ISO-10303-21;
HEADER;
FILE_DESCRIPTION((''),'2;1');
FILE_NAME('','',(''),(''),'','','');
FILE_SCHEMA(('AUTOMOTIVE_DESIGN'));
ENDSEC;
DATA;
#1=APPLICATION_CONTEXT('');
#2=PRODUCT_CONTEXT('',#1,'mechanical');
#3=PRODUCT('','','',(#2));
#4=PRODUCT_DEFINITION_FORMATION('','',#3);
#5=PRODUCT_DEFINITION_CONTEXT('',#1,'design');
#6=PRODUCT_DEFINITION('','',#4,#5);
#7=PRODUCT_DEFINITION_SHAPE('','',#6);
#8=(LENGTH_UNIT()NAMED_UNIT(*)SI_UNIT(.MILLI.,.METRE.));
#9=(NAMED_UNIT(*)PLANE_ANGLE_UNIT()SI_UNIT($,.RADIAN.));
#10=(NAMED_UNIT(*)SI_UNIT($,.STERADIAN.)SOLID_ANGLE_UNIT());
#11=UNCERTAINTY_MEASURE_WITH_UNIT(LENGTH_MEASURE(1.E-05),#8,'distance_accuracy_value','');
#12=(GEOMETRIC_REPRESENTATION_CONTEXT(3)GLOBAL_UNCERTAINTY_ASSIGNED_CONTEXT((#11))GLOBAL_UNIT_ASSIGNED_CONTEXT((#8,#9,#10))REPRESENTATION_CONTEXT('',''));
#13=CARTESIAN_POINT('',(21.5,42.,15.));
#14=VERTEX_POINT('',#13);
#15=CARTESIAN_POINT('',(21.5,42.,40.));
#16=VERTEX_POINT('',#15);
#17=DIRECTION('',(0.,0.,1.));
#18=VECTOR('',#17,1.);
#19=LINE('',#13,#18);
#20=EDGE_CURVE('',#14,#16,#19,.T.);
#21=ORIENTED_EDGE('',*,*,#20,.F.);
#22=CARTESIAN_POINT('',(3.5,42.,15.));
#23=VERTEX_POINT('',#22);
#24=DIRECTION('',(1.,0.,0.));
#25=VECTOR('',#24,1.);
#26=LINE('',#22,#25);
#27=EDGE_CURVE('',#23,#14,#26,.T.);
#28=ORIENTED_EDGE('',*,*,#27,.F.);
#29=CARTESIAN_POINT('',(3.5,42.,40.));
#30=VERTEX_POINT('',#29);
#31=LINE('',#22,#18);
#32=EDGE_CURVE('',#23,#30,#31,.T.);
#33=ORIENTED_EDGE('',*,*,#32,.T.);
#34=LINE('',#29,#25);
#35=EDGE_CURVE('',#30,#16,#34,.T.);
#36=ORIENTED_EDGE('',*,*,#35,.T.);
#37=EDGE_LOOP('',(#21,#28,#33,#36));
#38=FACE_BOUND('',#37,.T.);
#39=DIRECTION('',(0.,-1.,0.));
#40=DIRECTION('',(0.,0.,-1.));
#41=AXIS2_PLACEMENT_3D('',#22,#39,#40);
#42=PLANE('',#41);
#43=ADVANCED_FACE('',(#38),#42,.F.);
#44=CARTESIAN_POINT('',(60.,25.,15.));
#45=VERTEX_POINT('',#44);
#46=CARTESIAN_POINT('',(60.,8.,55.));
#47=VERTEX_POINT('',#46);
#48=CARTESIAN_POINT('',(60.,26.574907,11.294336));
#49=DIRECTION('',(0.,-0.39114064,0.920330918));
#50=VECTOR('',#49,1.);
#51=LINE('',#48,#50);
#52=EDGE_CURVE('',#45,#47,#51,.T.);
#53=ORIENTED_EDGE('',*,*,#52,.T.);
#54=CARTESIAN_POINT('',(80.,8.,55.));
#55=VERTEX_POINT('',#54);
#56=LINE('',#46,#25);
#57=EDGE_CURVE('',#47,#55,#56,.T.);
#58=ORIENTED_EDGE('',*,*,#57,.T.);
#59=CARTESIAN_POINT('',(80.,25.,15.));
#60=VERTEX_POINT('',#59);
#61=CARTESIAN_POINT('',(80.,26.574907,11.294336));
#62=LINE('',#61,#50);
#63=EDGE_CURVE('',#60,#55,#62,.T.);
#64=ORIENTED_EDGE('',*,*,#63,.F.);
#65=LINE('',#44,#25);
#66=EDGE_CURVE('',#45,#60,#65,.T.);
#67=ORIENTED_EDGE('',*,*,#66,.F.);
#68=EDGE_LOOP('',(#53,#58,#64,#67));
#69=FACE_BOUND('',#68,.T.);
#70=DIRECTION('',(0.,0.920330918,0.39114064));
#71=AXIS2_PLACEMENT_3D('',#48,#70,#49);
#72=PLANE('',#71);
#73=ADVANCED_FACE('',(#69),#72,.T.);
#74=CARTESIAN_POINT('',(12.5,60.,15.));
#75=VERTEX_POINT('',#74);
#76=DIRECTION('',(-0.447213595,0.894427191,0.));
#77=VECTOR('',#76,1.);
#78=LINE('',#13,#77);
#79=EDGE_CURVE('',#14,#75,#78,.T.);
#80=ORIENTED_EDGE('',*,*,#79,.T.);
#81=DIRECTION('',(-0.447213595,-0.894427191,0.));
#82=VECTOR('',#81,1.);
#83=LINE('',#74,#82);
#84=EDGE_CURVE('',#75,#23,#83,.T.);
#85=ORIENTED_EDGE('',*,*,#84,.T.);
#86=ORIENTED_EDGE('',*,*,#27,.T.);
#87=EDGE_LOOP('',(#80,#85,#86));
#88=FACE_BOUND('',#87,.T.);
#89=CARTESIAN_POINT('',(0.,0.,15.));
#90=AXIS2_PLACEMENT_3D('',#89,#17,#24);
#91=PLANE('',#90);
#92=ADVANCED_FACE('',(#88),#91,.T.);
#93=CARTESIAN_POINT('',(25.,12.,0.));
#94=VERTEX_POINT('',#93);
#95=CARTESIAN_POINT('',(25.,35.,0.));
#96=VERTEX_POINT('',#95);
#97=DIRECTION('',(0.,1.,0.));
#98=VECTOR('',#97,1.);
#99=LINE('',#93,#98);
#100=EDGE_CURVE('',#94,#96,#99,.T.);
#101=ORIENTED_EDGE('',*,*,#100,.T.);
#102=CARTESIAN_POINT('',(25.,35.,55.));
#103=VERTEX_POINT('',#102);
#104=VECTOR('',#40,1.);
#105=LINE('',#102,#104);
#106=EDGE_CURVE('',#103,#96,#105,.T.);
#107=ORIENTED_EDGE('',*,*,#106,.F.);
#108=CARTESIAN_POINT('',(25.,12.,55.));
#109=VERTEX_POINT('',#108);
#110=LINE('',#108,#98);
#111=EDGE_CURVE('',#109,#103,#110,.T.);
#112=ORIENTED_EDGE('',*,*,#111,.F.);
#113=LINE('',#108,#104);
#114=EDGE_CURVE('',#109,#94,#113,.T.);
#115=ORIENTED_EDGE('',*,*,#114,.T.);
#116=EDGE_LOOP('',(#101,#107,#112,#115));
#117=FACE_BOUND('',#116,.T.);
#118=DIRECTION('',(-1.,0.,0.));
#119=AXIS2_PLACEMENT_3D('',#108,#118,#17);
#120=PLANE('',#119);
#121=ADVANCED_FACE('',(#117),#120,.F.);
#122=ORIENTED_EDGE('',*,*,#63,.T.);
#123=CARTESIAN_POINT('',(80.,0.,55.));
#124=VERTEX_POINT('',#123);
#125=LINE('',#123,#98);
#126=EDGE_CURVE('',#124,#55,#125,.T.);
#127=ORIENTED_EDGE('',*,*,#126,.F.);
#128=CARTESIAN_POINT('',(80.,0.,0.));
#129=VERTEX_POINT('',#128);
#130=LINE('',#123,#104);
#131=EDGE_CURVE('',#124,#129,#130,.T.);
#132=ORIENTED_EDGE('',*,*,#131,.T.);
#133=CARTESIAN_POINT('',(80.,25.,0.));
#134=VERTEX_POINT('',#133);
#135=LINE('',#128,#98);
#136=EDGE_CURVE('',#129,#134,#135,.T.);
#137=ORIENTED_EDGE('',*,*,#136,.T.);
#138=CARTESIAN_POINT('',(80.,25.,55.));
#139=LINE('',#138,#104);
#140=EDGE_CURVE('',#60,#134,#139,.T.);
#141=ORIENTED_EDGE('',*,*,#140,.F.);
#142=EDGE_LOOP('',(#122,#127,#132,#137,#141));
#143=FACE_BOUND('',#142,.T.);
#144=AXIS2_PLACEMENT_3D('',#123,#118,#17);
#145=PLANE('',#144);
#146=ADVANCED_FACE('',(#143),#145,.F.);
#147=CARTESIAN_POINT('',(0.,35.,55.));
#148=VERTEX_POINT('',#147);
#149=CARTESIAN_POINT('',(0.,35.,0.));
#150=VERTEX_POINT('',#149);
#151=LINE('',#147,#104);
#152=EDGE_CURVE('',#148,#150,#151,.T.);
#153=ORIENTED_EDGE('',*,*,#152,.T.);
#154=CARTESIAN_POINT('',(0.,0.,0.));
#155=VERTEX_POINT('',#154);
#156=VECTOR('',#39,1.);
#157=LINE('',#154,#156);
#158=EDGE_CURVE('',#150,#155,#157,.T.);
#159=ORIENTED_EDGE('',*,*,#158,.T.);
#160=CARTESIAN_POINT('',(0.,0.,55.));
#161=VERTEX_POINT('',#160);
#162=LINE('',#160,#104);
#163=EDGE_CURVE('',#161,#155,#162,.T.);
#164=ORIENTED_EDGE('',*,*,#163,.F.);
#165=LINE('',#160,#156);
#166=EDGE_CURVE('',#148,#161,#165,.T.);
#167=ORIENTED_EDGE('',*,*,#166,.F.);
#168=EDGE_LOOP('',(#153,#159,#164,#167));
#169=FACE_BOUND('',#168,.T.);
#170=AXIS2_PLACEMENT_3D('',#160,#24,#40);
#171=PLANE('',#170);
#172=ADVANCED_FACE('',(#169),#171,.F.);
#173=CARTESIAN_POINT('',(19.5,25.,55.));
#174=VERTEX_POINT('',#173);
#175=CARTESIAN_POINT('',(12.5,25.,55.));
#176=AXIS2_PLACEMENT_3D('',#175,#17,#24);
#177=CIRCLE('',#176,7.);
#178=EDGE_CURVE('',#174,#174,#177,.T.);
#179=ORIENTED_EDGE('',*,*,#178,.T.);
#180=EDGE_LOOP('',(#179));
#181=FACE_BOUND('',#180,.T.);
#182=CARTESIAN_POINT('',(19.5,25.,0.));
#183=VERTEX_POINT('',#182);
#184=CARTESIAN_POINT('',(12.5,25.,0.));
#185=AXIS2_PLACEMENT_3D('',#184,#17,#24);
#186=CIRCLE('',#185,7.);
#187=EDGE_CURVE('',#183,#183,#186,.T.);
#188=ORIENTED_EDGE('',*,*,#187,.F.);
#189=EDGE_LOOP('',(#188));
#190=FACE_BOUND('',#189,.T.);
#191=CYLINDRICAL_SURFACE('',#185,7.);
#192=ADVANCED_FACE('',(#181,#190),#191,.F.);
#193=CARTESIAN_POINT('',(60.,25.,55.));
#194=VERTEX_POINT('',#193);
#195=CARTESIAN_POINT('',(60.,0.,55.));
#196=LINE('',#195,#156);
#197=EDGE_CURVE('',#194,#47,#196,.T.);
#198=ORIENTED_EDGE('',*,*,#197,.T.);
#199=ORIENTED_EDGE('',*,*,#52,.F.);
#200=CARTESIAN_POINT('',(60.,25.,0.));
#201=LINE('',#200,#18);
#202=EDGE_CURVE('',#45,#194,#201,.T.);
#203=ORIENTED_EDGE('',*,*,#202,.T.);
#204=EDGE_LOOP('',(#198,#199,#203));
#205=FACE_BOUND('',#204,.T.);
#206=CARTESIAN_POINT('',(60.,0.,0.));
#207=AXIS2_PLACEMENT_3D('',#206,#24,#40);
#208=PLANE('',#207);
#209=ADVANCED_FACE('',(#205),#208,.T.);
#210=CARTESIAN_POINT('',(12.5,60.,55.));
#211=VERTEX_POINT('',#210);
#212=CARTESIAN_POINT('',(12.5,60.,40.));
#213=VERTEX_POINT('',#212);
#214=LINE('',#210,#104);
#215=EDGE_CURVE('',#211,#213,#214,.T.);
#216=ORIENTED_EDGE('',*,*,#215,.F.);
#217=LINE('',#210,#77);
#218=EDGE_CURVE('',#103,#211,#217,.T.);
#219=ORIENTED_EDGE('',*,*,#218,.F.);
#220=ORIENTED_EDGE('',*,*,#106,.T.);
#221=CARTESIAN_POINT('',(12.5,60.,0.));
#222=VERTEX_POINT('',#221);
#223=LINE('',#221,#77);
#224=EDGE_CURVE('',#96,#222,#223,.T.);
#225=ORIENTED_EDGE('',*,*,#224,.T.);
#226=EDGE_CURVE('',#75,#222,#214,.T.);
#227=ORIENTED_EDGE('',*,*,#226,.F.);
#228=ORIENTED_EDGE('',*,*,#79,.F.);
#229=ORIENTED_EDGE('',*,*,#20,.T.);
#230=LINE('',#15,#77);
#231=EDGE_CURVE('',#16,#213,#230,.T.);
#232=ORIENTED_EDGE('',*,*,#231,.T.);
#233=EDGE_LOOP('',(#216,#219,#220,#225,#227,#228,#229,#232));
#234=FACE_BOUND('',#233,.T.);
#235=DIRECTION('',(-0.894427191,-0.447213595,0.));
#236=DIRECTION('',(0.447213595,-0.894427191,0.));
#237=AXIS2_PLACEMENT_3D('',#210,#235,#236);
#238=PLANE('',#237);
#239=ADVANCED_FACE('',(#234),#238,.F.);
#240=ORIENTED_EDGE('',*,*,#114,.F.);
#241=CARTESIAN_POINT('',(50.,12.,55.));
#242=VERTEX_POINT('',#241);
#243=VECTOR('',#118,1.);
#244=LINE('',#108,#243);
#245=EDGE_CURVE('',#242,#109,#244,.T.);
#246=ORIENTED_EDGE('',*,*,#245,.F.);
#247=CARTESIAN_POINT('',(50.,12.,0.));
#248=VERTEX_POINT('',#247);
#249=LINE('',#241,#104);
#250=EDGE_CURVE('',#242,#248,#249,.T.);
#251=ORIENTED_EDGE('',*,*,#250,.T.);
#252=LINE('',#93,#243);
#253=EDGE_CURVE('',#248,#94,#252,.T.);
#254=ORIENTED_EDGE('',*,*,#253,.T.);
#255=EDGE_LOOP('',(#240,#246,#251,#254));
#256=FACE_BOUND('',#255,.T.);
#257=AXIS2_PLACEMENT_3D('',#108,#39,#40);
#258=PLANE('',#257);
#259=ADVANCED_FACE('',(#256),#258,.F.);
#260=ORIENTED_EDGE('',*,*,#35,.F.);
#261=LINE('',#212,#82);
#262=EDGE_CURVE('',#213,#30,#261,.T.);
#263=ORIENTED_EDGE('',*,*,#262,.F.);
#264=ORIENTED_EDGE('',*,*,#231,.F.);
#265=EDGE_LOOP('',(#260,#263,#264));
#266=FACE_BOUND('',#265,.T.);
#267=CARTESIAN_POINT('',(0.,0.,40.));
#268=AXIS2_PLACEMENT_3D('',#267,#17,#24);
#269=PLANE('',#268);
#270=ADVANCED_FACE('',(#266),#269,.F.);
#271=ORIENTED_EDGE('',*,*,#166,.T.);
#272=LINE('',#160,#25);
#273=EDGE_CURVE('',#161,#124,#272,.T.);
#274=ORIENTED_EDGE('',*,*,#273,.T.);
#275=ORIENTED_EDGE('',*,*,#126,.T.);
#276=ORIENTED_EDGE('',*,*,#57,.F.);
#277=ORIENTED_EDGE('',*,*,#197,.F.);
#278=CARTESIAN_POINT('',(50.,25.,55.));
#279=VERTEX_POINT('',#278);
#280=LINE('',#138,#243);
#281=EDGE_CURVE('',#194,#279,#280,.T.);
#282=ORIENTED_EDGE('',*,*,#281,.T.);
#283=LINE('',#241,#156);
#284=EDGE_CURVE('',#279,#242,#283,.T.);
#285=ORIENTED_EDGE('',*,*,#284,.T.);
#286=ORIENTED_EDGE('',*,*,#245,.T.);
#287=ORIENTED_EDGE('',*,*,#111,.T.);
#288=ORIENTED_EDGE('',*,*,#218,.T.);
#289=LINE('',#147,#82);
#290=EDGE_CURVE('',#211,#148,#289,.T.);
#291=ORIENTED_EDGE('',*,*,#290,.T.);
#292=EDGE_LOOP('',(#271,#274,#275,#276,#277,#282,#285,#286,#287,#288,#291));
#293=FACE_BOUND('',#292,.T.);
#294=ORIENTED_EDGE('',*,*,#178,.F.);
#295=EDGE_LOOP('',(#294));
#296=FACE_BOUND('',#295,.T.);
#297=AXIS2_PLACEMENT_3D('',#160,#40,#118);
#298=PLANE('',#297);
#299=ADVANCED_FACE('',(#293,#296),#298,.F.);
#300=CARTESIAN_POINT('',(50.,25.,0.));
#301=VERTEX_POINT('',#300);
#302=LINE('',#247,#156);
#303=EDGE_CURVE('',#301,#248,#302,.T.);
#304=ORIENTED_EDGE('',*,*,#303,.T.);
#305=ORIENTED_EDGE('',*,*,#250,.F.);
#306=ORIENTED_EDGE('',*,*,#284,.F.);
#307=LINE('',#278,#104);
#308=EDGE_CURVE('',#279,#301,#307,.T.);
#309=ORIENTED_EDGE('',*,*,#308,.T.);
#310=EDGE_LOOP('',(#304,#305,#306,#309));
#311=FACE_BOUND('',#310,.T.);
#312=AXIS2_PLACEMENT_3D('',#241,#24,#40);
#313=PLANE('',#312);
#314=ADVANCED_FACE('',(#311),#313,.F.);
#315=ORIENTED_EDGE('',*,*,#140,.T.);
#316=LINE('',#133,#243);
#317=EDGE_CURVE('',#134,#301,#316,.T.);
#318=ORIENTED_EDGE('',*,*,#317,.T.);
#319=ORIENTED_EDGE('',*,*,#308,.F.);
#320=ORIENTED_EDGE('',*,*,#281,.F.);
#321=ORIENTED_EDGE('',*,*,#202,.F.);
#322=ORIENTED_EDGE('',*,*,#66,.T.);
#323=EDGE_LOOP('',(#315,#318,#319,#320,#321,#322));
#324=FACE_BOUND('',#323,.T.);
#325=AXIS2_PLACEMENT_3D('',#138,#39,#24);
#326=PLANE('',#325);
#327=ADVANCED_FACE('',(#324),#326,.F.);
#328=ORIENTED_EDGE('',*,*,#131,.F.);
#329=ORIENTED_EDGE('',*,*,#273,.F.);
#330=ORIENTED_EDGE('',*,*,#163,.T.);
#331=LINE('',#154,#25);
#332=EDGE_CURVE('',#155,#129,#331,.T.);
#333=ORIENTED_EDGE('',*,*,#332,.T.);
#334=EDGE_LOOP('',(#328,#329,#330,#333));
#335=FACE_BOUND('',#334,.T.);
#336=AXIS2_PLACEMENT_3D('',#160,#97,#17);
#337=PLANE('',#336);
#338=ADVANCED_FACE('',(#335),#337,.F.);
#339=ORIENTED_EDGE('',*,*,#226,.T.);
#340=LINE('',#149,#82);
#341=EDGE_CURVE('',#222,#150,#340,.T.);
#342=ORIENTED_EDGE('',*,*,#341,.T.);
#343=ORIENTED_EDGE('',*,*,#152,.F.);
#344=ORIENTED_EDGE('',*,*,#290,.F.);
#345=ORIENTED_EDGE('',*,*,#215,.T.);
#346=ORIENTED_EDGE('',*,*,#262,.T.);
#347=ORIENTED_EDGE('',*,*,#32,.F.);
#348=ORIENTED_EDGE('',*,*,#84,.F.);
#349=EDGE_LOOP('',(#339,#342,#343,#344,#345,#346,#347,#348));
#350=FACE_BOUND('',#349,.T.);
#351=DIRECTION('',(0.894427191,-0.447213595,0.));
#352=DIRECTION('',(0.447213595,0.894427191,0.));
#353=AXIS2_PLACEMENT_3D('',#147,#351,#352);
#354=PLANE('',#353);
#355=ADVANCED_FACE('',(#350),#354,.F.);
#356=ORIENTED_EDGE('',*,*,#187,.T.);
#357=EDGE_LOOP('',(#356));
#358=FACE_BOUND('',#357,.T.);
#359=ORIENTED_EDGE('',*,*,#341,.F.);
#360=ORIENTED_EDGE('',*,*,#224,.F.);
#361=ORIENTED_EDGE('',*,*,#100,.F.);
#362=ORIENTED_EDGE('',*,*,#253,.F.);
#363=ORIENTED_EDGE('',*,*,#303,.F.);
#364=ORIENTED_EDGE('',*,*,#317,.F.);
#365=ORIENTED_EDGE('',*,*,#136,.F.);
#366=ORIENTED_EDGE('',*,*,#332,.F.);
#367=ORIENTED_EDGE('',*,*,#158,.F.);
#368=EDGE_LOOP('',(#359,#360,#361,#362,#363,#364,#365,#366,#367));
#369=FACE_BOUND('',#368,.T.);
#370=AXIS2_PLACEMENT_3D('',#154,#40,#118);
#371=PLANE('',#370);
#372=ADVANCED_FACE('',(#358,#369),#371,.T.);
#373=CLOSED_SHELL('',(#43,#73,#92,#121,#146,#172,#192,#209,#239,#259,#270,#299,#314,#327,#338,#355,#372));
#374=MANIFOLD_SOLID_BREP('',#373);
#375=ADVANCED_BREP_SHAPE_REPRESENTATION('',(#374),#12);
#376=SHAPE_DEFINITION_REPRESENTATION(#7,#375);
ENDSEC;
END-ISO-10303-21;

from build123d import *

# Parameters (mm, degrees)
BOSS_EXTRUDE2_DEPTH = 55
SKETCH8_R           = 7
CUT_EXTRUDE2_DEPTH  = 56
CUT_EXTRUDE3_DEPTH  = 25
CUT_EXTRUDE4_DEPTH  = 20


with BuildPart() as part:
    # Sketch7 → Boss-Extrude2 (new body)
    with BuildSketch(Plane.XY):
        Polygon((0, 0), (80, 0), (80, 25), (50, 25), (50, 12), (25, 12), (25, 35), (12.5, 60), (0, 35), align=None)
    extrude(amount=BOSS_EXTRUDE2_DEPTH)

    # Sketch8 → Cut-Extrude2 (cut, through all)
    with BuildSketch(Plane.XY.offset(55)):
        with Locations((12.5, 25)):
            Circle(SKETCH8_R)
    extrude(amount=-CUT_EXTRUDE2_DEPTH, mode=Mode.SUBTRACT)

    # Sketch10 → Cut-Extrude3 (cut)
    with BuildSketch(Plane.XY.offset(40)):
        Polygon((3.5, 42), (21.5, 42), (12.5, 60), align=None)
    extrude(amount=-CUT_EXTRUDE3_DEPTH, mode=Mode.SUBTRACT)

    # Sketch11 → Cut-Extrude4 (cut)
    with BuildSketch(Plane(origin=(80, 0, 0), x_dir=(0, 0, -1), z_dir=(1, 0, 0))):
        Polygon((-55, 8), (-15, 25), (-55, 25), align=None)
    extrude(amount=-CUT_EXTRUDE4_DEPTH, mode=Mode.SUBTRACT)


solid = part.part
